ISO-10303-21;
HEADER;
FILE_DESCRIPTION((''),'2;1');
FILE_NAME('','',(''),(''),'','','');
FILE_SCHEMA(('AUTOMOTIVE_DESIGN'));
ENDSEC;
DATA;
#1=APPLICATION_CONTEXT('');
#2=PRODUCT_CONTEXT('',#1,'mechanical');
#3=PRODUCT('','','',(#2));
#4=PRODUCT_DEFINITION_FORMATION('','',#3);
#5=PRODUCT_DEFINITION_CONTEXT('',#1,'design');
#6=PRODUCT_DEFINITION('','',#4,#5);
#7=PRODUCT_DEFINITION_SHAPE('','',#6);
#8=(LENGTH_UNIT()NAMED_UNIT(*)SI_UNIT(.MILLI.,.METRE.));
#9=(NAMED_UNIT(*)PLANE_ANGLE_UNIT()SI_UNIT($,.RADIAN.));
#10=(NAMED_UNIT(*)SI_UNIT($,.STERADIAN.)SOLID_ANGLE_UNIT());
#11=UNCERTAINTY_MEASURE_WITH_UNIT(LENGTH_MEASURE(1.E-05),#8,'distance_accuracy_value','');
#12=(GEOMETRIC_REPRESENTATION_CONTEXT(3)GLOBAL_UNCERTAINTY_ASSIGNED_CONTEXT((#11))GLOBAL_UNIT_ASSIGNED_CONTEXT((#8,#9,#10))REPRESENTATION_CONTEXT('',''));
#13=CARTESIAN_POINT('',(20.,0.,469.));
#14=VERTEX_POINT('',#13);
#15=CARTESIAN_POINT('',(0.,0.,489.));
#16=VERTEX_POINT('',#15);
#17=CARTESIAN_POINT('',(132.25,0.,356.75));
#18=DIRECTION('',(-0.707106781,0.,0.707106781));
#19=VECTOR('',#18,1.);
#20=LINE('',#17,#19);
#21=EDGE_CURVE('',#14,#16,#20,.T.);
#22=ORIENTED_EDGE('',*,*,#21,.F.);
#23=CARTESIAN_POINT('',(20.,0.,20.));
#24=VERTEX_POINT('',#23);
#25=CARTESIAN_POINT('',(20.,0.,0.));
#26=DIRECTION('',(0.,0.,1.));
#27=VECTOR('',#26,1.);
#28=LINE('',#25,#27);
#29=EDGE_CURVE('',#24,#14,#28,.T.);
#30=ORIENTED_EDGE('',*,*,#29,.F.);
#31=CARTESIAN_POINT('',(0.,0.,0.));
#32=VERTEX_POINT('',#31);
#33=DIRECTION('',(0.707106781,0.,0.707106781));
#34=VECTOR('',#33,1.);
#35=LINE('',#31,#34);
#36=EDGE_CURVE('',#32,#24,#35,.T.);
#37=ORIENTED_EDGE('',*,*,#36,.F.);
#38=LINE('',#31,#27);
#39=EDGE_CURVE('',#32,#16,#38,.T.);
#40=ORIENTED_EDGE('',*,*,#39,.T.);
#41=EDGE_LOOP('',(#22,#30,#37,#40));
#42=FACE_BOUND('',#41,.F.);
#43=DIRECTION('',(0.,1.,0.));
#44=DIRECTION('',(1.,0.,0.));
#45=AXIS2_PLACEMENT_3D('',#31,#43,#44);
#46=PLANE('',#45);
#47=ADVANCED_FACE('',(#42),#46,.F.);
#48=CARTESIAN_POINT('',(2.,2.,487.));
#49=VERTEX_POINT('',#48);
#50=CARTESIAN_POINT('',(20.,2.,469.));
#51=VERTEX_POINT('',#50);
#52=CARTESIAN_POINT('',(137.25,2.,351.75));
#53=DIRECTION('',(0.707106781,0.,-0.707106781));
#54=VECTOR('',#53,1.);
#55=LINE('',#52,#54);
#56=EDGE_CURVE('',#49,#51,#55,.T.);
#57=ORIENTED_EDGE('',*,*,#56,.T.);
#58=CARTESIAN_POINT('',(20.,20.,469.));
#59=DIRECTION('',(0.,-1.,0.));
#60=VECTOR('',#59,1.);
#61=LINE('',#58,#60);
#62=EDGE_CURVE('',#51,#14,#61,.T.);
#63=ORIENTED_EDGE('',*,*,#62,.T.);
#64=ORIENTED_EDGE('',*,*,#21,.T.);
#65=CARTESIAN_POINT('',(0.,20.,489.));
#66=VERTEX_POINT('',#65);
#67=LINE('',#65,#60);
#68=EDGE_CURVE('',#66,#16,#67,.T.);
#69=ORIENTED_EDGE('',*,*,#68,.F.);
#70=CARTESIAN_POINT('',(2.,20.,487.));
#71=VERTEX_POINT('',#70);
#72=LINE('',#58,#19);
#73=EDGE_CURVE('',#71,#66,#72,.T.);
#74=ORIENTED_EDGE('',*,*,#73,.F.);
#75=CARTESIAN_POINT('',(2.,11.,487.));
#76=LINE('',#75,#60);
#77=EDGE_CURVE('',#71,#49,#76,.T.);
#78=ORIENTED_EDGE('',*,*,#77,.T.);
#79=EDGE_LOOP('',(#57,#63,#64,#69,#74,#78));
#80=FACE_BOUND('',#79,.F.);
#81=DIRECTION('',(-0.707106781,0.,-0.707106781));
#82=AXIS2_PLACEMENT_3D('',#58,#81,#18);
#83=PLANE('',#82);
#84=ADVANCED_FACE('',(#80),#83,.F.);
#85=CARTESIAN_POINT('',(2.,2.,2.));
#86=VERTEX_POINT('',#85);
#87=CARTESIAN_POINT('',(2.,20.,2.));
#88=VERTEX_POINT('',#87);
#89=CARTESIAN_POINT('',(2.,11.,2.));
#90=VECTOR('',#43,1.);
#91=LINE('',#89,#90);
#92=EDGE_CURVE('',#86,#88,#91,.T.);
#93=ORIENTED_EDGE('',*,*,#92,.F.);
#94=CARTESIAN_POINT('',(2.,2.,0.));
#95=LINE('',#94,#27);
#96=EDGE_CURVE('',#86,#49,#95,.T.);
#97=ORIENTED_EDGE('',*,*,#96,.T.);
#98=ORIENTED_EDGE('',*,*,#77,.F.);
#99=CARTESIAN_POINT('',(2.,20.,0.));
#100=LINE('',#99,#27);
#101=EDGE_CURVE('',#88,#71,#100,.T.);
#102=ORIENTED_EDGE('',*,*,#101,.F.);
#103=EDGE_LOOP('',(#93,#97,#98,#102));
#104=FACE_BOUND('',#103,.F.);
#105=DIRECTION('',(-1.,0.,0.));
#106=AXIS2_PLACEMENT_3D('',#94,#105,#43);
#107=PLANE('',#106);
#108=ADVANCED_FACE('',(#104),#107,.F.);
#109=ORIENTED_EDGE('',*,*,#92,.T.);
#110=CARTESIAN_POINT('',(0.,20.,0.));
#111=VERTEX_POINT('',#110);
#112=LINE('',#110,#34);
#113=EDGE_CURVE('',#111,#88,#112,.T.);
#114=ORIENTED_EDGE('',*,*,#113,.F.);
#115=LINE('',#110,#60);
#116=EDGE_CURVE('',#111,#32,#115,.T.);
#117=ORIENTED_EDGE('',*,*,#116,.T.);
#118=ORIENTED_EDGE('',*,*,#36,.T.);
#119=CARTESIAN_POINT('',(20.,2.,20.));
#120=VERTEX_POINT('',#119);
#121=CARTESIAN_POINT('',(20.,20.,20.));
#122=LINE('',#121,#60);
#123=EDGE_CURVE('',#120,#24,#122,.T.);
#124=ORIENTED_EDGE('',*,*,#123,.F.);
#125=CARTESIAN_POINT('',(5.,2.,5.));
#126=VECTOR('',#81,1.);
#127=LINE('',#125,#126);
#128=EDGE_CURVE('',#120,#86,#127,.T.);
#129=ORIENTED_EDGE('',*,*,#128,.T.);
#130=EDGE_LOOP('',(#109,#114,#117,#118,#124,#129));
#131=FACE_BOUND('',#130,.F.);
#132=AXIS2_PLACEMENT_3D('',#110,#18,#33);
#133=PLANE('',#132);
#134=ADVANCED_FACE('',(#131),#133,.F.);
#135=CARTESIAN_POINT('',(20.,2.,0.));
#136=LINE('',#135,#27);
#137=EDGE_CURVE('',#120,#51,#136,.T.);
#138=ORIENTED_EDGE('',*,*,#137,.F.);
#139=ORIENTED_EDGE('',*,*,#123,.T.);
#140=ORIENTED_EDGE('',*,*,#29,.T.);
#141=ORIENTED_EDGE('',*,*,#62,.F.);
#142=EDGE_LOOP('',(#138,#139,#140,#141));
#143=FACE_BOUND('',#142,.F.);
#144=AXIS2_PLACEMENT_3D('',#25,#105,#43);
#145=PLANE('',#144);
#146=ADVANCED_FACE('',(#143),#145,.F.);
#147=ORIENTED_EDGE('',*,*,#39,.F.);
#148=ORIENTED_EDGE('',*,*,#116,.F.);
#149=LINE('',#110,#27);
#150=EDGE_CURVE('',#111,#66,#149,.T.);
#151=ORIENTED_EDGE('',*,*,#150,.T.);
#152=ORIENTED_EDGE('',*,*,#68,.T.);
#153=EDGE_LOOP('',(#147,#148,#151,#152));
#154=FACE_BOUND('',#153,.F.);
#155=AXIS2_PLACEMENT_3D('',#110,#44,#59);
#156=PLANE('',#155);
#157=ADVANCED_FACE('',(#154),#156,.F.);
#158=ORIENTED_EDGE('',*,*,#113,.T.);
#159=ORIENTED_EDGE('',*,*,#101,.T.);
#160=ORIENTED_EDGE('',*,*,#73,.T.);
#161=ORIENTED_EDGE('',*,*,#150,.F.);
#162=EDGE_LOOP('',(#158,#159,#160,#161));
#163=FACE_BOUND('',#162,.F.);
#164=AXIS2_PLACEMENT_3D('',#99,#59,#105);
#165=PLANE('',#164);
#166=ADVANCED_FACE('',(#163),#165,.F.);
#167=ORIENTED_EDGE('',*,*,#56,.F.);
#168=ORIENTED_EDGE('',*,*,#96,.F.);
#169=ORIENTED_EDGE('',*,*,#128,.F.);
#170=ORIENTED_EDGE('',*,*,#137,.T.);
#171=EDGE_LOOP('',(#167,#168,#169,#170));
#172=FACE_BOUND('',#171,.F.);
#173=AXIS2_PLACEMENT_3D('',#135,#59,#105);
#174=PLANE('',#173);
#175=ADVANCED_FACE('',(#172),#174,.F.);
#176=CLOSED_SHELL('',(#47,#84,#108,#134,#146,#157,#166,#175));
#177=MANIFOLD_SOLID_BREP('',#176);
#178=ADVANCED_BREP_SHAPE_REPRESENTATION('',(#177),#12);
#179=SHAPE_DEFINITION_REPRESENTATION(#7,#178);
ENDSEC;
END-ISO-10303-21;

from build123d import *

# Parameters (mm, degrees)
BOSS_EXTRUDE1_DEPTH = 489
CUT_EXTRUDE2_DEPTH  = 485


with BuildPart() as part:
    # Sketch1 → Boss-Extrude1 (new body)
    with BuildSketch(Plane.XY):
        Polygon((0, 20), (0, 0), (20, 0), (20, 2), (2, 2), (2, 20), align=None)
    extrude(amount=BOSS_EXTRUDE1_DEPTH)

    # Sketch2 → Cut-Extrude2 (cut)
    with BuildSketch(Plane(origin=(0, 20, 0), x_dir=(1, 0, 0), z_dir=(0, 1, 0))):
        Polygon((2, 0), (0, 0), (2, -2), align=None)
        Polygon((2, 0), (2, -2), (20, -20), (20, 0), align=None)
        Polygon((2, -489), (2, -487), (0, -489), align=None)
        Polygon((20, -469), (2, -487), (2, -489), (20, -489), align=None)
    extrude(amount=-CUT_EXTRUDE2_DEPTH, mode=Mode.SUBTRACT)


solid = part.part
